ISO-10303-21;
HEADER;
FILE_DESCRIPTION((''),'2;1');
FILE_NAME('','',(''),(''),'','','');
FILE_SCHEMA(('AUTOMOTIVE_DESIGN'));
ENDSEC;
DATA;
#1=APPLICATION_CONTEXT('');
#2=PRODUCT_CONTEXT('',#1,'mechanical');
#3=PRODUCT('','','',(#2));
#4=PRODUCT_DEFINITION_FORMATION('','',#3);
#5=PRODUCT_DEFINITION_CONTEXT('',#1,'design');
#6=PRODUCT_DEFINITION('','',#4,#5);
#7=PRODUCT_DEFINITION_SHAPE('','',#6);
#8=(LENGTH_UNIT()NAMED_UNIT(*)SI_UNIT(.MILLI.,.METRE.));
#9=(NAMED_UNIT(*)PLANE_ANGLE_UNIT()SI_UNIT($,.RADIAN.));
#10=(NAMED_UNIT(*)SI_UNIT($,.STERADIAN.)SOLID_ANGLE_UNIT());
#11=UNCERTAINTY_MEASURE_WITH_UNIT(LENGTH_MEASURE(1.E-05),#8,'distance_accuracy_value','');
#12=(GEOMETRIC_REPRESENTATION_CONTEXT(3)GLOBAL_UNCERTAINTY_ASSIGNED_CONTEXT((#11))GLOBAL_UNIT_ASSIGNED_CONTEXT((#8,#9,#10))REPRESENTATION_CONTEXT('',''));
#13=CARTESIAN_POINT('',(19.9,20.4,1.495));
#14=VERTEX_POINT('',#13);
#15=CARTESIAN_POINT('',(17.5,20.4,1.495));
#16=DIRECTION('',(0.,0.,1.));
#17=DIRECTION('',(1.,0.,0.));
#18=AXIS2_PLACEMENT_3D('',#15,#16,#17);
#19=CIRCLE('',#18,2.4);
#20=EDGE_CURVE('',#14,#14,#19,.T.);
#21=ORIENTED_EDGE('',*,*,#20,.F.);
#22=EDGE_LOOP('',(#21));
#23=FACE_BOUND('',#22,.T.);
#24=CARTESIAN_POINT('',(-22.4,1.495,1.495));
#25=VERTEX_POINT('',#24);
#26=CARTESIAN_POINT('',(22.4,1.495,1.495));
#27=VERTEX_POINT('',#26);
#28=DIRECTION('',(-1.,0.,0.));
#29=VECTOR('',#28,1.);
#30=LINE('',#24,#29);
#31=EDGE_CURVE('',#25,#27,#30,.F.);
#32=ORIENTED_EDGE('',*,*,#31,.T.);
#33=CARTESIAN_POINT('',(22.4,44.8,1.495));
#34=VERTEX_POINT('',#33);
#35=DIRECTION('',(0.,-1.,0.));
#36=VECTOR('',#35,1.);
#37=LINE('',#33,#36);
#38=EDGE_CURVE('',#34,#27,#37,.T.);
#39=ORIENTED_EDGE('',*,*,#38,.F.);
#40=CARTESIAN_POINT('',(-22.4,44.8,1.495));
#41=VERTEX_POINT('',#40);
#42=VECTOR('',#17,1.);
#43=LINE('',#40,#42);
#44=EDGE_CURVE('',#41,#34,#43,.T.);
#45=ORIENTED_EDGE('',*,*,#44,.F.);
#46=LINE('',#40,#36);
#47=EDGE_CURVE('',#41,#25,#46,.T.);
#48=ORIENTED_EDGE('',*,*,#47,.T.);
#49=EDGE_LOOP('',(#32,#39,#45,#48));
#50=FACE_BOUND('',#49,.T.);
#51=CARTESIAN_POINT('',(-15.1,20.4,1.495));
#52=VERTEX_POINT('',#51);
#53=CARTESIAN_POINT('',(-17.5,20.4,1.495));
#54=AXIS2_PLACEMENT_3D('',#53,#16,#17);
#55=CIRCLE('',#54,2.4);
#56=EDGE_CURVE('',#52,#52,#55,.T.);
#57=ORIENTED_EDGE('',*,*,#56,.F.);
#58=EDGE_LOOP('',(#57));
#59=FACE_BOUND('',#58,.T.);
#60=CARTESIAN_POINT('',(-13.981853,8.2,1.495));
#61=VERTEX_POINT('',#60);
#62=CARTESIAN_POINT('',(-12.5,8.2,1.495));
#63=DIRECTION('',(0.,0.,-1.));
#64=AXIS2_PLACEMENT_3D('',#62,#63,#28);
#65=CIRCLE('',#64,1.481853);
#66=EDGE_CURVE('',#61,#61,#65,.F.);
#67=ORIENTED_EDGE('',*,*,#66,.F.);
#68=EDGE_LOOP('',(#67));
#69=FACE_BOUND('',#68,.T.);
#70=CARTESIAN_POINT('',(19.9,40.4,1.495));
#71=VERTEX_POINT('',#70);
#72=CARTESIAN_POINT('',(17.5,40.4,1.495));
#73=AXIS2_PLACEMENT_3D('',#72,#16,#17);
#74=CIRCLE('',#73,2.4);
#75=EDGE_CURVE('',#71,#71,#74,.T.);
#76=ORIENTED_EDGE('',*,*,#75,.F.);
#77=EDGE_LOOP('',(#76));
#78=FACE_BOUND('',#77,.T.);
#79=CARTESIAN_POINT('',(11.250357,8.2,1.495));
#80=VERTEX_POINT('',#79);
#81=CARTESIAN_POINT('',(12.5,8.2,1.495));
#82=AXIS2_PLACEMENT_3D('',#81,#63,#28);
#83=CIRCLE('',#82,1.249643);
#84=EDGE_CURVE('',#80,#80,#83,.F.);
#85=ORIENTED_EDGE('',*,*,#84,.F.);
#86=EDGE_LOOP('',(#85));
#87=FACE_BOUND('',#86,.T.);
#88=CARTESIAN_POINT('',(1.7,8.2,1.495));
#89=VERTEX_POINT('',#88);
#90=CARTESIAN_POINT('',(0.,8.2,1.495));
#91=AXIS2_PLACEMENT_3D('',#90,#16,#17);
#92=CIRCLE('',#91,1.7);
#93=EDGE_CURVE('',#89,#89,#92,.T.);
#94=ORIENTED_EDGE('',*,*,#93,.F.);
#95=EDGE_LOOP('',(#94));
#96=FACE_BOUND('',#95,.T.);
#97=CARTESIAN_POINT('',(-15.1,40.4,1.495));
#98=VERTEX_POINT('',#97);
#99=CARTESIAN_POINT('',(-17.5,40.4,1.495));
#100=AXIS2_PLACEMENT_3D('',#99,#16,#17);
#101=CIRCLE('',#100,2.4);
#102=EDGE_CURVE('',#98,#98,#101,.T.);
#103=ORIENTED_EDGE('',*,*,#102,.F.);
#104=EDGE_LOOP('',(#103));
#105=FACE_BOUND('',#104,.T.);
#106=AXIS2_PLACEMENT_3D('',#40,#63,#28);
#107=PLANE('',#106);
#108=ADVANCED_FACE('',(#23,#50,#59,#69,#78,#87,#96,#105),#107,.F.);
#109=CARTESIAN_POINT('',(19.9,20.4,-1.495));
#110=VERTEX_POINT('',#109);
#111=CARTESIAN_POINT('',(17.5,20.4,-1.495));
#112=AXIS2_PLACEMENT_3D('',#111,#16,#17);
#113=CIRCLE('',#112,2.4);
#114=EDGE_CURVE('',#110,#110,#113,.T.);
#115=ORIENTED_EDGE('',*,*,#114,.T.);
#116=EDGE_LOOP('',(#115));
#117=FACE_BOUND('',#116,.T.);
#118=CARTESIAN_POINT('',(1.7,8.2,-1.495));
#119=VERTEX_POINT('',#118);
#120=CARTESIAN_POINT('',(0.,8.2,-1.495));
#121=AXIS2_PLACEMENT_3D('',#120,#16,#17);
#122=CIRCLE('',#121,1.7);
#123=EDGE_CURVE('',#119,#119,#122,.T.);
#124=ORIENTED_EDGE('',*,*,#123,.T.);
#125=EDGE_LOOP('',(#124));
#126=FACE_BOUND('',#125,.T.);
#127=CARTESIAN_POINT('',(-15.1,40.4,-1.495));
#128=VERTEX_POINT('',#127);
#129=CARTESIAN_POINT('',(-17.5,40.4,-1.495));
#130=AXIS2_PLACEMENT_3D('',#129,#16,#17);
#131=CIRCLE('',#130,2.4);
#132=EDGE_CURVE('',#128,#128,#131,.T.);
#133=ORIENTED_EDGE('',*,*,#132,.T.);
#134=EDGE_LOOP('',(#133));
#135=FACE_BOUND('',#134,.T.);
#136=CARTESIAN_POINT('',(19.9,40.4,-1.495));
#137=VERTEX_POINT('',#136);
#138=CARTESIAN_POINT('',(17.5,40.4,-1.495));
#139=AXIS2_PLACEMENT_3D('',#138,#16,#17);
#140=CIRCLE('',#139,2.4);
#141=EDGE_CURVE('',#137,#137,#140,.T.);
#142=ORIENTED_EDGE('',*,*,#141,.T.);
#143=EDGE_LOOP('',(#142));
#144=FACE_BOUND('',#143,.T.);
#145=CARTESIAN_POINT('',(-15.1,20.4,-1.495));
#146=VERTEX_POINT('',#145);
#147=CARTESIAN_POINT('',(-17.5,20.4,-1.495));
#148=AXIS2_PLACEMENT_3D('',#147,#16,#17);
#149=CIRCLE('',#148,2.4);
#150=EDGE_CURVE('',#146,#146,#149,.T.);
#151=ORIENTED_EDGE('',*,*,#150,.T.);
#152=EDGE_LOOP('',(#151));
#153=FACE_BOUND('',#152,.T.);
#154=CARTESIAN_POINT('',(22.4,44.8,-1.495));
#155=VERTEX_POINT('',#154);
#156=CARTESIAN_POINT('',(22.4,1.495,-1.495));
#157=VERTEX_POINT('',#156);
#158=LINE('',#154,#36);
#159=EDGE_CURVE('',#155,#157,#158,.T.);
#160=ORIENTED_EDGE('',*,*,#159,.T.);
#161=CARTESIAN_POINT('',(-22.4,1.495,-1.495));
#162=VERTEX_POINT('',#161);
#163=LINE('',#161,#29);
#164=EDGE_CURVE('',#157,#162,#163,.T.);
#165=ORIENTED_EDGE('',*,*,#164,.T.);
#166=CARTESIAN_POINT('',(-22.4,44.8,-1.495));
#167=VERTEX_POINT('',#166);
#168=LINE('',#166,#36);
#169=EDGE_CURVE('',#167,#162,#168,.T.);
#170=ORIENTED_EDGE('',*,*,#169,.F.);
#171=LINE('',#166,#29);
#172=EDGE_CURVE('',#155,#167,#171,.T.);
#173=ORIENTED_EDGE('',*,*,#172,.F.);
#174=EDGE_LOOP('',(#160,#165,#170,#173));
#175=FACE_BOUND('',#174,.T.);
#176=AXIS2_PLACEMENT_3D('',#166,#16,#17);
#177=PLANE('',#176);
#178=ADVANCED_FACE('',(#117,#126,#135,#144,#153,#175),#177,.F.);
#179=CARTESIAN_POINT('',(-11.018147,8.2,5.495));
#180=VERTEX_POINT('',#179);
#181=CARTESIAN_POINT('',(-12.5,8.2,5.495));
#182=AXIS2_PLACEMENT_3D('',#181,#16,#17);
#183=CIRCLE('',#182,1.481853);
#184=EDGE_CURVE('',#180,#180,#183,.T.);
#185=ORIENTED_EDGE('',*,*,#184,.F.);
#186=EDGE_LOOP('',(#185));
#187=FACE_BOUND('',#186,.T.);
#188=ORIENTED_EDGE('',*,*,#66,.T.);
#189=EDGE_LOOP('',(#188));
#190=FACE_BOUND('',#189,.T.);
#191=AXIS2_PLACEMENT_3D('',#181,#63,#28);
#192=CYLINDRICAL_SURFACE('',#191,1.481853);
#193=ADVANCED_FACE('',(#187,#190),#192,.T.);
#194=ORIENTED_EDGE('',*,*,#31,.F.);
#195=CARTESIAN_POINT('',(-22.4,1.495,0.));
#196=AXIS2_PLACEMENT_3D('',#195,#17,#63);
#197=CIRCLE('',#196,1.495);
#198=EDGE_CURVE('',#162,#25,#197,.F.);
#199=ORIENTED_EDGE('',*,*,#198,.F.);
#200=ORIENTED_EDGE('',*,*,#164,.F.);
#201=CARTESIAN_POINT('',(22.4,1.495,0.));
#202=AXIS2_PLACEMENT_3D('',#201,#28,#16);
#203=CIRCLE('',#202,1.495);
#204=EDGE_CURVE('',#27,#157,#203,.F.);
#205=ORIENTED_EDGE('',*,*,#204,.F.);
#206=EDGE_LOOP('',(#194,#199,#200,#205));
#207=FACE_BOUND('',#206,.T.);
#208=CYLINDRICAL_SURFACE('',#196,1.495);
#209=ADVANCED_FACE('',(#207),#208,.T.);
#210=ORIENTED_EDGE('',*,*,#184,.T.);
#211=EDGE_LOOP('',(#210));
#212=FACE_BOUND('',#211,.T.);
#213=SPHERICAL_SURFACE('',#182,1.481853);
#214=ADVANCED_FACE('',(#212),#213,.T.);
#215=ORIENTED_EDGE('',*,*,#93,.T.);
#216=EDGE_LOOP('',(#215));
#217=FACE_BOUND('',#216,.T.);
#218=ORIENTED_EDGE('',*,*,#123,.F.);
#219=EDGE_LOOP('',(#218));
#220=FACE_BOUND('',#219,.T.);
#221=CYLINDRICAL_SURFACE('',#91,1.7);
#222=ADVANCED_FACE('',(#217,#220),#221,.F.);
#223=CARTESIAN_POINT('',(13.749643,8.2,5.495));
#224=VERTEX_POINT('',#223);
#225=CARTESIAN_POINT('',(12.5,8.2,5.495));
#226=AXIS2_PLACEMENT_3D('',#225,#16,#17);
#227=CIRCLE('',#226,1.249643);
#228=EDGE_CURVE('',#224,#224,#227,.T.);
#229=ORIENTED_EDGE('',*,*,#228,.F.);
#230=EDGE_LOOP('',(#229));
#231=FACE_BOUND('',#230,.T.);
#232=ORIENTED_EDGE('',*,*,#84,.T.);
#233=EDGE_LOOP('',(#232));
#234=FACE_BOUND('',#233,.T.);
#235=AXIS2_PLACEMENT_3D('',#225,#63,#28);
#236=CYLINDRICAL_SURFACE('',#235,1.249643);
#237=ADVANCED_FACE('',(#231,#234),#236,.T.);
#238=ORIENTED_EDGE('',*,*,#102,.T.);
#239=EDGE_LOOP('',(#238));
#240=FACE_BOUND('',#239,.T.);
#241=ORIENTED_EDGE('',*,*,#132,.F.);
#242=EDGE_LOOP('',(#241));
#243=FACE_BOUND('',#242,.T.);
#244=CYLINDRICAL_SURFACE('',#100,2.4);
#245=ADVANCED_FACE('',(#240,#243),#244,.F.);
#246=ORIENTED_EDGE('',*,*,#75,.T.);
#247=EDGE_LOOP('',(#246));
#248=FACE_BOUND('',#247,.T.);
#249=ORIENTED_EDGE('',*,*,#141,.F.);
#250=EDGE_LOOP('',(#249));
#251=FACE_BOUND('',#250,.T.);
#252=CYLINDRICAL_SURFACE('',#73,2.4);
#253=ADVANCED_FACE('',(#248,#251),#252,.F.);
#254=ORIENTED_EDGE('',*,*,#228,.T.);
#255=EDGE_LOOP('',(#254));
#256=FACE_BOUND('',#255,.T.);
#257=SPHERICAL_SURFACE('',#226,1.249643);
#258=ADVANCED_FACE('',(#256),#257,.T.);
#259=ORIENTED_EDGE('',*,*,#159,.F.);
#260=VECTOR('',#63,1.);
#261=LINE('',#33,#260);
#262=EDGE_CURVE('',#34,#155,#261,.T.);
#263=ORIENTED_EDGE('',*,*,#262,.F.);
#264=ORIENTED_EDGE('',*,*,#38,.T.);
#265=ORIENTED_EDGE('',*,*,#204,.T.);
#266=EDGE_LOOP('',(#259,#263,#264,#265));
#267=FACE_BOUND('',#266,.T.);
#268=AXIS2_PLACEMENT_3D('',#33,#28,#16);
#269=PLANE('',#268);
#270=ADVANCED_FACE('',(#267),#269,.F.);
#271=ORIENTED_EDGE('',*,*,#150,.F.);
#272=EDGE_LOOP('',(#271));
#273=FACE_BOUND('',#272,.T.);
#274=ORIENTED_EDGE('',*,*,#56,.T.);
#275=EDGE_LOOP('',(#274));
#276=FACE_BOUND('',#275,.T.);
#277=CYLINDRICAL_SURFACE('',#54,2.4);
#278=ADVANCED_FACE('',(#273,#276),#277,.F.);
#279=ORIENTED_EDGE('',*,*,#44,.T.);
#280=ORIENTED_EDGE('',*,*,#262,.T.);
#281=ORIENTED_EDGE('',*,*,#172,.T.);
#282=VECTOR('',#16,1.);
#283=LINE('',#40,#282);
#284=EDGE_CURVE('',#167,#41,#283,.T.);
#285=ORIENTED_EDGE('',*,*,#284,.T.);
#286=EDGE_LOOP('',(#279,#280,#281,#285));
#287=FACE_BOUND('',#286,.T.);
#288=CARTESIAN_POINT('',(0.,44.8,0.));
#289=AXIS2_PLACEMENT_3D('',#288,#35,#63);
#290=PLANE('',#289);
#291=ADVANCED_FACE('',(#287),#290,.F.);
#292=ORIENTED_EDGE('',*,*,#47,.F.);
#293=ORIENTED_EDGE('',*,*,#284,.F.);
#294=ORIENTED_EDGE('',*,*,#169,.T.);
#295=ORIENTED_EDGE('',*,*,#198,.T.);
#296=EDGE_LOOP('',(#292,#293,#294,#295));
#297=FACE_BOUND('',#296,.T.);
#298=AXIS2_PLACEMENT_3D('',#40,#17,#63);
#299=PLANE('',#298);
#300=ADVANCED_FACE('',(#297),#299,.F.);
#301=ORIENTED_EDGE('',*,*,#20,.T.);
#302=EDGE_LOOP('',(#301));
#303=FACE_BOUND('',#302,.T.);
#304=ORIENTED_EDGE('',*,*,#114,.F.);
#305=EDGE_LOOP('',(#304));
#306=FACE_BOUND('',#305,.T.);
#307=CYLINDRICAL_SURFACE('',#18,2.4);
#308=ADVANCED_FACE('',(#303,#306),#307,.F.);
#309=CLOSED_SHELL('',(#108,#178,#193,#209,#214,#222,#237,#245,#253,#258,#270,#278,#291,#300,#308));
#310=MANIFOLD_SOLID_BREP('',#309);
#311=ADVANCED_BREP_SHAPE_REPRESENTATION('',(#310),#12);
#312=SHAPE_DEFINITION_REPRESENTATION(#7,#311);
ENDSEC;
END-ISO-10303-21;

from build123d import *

# Parameters (mm, degrees)
SKETCH1_W            = 44.8
SKETCH1_H            = 2.99
BOSS_EXTRUDE1_DEPTH  = 44.8
FILLET1_RADIUS       = 1.495
FILLET1_LENGTH       = 44.8
M4_CLEARANCE_HOLE1_D = 4.8
M3_CLEARANCE_HOLE1_D = 3.4
SKETCH8_R            = 1.481852537
SKETCH8_R_2          = 1.249642824
BOSS_EXTRUDE2_DEPTH  = 4
REVOLVE1_ANGLE       = 180
REVOLVE2_ANGLE       = 180


with BuildPart() as part:
    # Sketch1 → Boss-Extrude1 (new body)
    with BuildSketch(Plane(origin=(0, 0, 0), x_dir=(1, 0, 0), z_dir=(0, 1, 0))):
        Rectangle(SKETCH1_W, SKETCH1_H)
    extrude(amount=BOSS_EXTRUDE1_DEPTH)

    # Fillet1: full round fillet: the end face becomes a half cylinder, R = half its width
    fillet1_face = Plane((0, 0, 0), x_dir=(-1, 0, 0), z_dir=(0, -1, 0))  # on the end face: x along it, z out of the body
    fillet1_slab = fillet1_face.offset(-FILLET1_RADIUS / 2) * Box(FILLET1_LENGTH, 2 * FILLET1_RADIUS, FILLET1_RADIUS, mode=Mode.PRIVATE)  # the body's end, R deep
    fillet1_round = Plane((0, 1.495, 0), x_dir=(0, -1, 0), z_dir=(-1, 0, 0)) * Cylinder(FILLET1_RADIUS, FILLET1_LENGTH, mode=Mode.PRIVATE)  # its axis R under the face
    add(fillet1_slab - fillet1_round, mode=Mode.SUBTRACT)

    # M4 Clearance Hole1 (through all)
    with Locations(Plane.XY.offset(1.495)):
        with Locations((-17.5, 40.4), (-17.5, 20.4), (17.5, 20.4), (17.5, 40.4)):
            Hole(M4_CLEARANCE_HOLE1_D / 2)

    # M3 Clearance Hole1 (through all)
    with Locations(Plane.XY.offset(1.495)):
        with Locations((0, 8.2)):
            Hole(M3_CLEARANCE_HOLE1_D / 2)

    # Sketch8 → Boss-Extrude2 (add)
    with BuildSketch(Plane.XY.offset(1.495)):
        with Locations(Location((-12.5, 8.2, 0), (0, 0, 180))):
            Circle(SKETCH8_R)
        with Locations(Location((12.5, 8.2, 0), (0, 0, 180))):
            Circle(SKETCH8_R_2)
    extrude(amount=BOSS_EXTRUDE2_DEPTH)

    # Sketch9 → Revolve1 (revolve)
    with BuildSketch(Plane.XY.offset(5.495)):
        with BuildLine():
            Line((-12.5, 9.681852537), (-12.5, 6.718147463))
            ThreePointArc((-12.5, 6.718147463), (-11.018147463, 8.2), (-12.5, 9.681852537))
        make_face()
    revolve(axis=Axis((-12.5, 9.681852537, 5.495), (0, -1, 0)), revolution_arc=REVOLVE1_ANGLE)

    # Sketch10 → Revolve2 (revolve)
    with BuildSketch(Plane.XY.offset(5.495)):
        with BuildLine():
            Line((12.5, 9.449642824), (12.5, 6.950357176))
            ThreePointArc((12.5, 6.950357176), (13.749642824, 8.2), (12.5, 9.449642824))
        make_face()
    revolve(axis=Axis((12.5, 9.449642824, 5.495), (0, -1, 0)), revolution_arc=REVOLVE2_ANGLE)


solid = part.part
